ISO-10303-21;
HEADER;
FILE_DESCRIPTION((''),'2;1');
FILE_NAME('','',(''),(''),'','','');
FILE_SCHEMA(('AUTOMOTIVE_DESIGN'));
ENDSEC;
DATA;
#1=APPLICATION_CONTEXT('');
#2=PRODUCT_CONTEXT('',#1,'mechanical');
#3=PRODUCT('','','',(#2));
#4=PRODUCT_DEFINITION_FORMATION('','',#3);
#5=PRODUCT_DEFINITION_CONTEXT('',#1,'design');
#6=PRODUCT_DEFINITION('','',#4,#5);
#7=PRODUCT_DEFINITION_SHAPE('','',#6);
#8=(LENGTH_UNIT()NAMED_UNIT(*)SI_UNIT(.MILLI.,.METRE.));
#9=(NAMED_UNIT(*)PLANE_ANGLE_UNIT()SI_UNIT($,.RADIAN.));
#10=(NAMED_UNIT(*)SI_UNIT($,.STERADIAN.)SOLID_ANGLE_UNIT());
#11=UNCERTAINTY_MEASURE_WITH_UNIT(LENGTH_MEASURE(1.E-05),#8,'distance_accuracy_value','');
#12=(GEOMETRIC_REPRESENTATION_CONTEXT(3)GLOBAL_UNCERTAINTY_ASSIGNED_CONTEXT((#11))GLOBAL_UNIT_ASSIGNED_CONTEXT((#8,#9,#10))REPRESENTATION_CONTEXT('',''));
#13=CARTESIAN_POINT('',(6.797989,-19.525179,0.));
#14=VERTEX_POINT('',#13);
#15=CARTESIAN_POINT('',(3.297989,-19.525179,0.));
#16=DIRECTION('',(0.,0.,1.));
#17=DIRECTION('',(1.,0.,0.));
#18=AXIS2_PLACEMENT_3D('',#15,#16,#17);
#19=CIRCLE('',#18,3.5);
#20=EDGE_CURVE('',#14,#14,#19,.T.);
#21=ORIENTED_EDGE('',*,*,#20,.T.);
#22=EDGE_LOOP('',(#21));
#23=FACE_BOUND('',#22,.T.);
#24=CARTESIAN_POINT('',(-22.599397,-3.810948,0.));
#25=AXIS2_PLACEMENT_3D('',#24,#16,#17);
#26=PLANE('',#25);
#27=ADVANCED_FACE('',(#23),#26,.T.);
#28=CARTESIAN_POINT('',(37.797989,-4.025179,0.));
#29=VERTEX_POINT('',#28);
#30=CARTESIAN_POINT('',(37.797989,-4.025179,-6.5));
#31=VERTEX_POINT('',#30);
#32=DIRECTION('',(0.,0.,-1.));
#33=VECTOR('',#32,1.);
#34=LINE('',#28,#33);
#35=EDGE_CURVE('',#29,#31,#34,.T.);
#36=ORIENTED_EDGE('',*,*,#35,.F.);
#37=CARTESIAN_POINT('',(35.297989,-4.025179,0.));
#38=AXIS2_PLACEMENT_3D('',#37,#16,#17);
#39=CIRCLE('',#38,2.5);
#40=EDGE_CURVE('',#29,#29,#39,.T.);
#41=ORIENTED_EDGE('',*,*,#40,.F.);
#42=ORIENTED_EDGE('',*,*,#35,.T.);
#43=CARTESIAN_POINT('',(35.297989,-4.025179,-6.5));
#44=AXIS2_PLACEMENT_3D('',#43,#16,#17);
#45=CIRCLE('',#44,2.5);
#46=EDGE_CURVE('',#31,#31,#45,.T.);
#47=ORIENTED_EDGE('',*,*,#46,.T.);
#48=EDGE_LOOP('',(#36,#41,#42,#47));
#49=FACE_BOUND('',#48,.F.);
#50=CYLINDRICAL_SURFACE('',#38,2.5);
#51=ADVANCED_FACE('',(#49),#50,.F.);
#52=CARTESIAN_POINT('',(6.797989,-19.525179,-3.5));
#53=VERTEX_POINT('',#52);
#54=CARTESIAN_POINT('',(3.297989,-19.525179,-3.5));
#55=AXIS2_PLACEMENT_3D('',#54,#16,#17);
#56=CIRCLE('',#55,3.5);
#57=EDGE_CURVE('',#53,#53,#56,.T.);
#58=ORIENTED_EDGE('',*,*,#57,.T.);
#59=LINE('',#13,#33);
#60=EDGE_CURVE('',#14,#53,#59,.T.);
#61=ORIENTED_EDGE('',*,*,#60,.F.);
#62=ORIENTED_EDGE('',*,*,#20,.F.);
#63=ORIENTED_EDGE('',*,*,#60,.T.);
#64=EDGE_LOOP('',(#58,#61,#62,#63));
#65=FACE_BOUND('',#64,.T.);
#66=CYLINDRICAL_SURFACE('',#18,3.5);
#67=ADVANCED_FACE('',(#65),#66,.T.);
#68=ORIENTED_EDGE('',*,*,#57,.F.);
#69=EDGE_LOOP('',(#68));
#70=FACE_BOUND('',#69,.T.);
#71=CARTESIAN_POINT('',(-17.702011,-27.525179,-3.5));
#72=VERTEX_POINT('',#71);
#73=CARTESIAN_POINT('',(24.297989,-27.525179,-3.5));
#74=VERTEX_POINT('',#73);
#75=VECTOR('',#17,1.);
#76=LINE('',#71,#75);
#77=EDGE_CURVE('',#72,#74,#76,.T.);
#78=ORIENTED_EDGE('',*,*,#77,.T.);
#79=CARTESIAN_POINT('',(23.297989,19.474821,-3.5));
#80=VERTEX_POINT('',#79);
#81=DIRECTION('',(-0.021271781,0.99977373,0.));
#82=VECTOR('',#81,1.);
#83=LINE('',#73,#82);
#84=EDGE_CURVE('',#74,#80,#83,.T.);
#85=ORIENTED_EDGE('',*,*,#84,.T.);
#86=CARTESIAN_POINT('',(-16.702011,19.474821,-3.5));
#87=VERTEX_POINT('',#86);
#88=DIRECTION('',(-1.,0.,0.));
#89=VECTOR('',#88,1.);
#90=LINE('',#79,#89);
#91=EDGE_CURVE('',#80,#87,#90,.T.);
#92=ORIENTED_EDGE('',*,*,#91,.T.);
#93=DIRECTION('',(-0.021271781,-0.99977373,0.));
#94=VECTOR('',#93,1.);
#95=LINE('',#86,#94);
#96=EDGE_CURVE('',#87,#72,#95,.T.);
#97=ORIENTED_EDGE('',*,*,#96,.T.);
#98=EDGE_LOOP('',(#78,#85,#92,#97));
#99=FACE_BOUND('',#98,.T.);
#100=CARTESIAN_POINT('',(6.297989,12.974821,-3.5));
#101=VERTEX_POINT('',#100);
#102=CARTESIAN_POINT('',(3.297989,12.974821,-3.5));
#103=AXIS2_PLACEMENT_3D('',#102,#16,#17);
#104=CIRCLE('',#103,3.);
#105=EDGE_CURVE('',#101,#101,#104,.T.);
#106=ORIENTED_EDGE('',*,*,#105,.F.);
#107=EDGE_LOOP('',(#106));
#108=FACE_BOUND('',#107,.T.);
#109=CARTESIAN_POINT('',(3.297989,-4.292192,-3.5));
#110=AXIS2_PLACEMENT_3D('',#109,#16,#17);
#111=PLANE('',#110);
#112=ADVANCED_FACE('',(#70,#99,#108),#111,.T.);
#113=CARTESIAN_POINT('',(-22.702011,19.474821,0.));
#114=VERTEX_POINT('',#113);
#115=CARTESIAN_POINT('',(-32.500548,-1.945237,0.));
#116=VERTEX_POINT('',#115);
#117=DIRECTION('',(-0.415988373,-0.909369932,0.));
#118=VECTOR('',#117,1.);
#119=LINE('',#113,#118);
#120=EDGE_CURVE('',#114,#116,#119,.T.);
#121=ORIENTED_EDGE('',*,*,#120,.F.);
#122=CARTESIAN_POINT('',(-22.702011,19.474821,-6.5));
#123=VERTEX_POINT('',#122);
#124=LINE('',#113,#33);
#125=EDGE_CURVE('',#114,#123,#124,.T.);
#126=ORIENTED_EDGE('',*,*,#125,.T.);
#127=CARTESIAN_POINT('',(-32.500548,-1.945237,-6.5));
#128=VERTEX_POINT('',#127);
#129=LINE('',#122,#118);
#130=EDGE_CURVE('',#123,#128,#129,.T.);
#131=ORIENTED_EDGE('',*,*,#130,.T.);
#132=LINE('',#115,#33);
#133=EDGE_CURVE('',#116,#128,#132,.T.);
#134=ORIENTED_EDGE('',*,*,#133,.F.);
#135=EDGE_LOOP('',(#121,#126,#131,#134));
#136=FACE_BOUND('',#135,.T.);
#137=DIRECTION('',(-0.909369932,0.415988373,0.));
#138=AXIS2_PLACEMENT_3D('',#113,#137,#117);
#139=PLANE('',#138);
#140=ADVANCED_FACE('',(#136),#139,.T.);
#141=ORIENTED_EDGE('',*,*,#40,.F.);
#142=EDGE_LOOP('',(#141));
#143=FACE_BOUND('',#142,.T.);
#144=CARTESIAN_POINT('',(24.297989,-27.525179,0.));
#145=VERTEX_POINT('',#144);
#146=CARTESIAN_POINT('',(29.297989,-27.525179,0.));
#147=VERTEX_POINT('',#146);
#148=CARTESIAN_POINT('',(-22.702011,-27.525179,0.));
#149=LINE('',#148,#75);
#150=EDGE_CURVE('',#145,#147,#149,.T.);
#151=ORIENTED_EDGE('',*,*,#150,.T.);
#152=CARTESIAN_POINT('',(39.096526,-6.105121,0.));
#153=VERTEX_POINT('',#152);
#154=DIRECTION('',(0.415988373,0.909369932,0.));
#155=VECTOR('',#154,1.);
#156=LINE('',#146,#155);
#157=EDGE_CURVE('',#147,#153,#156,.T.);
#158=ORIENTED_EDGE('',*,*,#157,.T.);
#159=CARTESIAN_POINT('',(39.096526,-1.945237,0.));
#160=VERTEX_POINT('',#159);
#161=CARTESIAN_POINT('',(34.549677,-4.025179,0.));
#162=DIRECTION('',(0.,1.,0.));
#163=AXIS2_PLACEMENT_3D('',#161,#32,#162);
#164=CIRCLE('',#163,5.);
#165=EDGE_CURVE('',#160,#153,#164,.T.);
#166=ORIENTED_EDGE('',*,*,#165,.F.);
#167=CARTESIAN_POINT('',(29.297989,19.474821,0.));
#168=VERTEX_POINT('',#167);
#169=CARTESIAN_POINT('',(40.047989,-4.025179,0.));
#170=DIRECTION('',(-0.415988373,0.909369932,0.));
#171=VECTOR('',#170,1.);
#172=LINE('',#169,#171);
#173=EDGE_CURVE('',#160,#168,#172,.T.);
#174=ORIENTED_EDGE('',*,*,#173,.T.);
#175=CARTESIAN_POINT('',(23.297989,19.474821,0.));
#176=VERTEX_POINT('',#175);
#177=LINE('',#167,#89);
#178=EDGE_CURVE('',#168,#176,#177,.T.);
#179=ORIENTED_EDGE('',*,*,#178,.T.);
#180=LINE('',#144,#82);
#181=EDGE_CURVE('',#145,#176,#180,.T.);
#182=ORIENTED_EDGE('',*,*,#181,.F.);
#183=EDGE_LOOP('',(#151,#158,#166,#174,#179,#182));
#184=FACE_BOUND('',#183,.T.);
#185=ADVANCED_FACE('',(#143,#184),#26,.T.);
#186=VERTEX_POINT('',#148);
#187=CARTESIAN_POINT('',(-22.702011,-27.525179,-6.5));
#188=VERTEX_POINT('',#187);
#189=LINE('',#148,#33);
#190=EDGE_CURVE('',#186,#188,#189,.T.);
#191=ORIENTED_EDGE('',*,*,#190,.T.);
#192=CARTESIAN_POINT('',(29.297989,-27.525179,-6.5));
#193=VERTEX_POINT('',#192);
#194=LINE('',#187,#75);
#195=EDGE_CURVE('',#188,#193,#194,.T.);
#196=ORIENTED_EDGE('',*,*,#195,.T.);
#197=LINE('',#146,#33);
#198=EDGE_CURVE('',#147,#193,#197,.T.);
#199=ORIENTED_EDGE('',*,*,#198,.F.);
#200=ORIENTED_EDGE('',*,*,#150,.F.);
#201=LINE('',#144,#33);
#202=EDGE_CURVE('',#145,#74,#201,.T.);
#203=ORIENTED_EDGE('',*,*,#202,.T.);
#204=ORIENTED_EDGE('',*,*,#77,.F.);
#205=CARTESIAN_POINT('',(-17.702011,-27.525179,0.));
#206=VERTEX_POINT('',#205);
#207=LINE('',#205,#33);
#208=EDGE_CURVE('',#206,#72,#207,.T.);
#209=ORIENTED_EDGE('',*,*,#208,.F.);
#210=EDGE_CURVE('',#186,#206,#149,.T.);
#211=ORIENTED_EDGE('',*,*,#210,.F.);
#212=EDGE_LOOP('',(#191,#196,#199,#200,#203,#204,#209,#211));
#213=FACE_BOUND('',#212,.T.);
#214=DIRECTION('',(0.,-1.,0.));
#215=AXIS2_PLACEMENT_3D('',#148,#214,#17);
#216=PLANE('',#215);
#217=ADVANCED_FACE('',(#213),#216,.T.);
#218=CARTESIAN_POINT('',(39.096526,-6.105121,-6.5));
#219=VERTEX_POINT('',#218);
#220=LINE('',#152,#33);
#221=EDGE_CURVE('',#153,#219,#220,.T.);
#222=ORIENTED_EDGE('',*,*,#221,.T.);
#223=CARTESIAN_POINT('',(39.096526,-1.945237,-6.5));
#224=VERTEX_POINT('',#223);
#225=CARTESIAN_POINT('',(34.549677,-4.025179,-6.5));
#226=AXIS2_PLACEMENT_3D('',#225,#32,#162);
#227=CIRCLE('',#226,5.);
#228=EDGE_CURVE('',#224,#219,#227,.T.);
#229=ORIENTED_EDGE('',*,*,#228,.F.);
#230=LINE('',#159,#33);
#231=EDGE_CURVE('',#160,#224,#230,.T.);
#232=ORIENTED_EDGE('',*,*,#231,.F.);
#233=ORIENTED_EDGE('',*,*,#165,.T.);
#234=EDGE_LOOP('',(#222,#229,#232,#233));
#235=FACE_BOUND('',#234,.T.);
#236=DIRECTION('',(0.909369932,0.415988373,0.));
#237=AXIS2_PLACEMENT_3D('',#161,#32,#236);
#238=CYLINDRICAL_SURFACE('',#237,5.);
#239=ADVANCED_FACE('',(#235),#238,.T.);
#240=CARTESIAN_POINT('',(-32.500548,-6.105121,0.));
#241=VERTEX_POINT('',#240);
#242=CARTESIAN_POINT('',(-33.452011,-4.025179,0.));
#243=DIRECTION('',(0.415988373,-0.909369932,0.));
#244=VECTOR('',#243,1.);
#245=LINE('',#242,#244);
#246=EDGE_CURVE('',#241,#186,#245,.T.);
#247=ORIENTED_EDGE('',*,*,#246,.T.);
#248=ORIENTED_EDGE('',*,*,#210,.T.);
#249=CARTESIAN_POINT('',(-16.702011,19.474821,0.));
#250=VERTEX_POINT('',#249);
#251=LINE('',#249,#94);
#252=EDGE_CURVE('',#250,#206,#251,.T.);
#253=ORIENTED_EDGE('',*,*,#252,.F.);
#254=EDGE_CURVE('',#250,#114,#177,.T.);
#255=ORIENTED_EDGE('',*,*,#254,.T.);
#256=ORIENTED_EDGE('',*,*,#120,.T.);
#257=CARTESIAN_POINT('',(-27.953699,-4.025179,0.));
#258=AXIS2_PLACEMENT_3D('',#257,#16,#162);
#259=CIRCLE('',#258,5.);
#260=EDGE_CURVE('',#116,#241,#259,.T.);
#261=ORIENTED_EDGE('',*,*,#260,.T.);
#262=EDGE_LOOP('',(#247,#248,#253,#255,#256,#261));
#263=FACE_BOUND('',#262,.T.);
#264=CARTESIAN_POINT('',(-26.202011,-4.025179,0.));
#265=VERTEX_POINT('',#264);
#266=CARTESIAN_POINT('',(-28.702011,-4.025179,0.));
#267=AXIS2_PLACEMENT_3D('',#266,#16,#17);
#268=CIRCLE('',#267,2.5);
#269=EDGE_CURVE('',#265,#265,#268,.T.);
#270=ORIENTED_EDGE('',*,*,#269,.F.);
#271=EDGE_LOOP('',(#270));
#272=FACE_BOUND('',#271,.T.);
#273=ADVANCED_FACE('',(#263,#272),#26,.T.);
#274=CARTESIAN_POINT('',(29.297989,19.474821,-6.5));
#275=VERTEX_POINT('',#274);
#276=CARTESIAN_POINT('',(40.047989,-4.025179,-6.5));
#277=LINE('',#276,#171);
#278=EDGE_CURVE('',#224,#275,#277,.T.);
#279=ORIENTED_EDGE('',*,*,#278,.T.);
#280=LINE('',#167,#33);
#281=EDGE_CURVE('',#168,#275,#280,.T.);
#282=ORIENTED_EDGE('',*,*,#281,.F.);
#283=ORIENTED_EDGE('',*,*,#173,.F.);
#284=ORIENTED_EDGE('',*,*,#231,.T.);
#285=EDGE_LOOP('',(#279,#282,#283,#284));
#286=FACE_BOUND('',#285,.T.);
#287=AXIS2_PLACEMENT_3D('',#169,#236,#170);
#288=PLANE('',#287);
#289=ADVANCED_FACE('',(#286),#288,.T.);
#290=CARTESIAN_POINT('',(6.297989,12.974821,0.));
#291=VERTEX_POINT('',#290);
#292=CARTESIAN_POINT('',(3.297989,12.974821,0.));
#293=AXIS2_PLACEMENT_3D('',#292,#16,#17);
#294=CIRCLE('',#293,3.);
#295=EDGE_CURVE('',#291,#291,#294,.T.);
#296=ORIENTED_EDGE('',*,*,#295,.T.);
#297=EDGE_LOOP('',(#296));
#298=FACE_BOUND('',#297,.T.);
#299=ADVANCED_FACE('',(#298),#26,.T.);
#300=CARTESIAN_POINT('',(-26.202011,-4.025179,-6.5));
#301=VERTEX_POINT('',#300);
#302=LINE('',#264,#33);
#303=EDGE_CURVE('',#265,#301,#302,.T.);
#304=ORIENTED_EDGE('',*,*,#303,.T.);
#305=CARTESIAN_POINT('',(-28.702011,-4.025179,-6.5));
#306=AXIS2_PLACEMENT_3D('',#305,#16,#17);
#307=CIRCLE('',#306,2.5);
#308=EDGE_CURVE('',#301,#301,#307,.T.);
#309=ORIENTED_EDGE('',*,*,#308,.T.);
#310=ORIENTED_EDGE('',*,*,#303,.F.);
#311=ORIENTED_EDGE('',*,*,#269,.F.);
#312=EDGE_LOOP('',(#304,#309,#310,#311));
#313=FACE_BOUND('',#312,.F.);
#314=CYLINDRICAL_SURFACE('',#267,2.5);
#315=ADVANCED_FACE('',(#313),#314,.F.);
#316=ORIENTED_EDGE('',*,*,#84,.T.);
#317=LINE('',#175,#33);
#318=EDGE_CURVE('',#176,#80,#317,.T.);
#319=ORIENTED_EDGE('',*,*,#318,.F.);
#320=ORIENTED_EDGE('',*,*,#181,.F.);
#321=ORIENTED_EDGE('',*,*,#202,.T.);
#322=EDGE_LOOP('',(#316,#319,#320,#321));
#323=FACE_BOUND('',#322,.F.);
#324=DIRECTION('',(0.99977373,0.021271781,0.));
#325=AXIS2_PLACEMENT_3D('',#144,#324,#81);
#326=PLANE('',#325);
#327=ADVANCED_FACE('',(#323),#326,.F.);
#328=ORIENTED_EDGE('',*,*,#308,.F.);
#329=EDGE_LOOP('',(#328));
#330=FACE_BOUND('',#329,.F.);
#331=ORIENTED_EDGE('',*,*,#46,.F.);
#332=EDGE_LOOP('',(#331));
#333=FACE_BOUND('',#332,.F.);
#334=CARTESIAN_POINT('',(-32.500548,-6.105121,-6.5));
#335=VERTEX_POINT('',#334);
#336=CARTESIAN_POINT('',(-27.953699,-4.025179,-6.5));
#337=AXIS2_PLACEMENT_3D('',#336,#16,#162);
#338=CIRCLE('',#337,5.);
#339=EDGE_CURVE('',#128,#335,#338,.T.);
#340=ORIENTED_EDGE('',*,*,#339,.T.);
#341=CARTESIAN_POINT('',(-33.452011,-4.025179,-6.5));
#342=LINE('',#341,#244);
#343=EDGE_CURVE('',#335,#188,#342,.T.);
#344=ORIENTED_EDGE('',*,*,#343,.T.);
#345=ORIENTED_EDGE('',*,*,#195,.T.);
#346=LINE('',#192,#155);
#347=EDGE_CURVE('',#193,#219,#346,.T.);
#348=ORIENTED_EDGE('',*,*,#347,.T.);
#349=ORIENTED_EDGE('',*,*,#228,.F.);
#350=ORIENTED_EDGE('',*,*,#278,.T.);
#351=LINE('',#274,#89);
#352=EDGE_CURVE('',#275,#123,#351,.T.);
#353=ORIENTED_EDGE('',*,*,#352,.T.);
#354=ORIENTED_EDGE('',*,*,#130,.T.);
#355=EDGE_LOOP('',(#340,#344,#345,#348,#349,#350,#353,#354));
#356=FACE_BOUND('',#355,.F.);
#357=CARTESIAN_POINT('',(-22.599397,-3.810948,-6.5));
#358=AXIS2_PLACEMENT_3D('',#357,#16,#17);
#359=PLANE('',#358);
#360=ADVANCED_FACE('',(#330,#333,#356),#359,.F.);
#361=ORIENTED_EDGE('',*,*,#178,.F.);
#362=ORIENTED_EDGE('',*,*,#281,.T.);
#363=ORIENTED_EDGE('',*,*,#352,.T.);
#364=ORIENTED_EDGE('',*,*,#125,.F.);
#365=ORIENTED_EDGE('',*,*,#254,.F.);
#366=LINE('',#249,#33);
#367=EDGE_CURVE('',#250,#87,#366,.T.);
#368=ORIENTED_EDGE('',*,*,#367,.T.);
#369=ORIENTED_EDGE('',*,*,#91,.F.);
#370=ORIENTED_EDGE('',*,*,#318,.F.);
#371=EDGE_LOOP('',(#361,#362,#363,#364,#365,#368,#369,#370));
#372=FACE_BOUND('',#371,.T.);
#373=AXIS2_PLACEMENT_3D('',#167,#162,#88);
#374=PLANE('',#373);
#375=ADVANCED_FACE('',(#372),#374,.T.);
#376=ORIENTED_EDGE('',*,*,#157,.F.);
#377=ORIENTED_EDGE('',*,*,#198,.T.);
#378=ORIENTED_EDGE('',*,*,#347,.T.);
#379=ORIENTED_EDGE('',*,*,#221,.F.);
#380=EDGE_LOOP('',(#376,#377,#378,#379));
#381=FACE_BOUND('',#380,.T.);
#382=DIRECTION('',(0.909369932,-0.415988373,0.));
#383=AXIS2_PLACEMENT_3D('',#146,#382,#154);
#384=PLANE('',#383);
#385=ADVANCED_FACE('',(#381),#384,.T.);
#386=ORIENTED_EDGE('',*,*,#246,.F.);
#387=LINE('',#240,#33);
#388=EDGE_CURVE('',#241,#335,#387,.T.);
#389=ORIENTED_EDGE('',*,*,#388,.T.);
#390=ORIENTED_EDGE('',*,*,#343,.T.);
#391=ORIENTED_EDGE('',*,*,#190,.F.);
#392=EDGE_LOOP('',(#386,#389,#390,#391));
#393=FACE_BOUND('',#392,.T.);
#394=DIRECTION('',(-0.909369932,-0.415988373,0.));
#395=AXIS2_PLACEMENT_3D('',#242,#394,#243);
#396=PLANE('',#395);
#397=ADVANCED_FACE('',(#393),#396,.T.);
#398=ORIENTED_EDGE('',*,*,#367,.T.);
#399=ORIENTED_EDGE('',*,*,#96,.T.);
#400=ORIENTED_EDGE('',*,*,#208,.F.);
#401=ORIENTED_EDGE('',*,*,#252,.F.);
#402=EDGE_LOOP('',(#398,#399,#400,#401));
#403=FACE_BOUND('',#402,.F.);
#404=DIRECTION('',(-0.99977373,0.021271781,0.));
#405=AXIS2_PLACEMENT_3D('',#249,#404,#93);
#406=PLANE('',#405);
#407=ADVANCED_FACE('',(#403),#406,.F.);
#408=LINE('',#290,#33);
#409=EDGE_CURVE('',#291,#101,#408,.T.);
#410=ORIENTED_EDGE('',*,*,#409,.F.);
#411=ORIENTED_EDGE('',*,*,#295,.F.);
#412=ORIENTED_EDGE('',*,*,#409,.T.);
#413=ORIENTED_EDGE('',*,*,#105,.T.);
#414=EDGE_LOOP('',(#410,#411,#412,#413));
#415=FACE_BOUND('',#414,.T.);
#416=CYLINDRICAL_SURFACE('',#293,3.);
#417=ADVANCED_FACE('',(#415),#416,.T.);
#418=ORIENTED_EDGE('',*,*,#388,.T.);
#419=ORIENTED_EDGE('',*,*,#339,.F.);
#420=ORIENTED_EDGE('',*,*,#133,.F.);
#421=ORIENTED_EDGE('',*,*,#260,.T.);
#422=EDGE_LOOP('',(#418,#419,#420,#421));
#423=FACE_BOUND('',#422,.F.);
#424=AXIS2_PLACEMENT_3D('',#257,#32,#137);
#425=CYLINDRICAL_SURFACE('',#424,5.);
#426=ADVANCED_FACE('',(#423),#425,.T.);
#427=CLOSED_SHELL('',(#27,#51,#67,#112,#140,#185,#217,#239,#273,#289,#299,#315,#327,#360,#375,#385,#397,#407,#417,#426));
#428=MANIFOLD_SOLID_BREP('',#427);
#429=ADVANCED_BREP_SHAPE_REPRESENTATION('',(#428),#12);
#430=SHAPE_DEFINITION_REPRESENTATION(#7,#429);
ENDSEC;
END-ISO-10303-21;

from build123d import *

# Parameters (mm, degrees)
F0_R     = 2.5
F0_R_2   = 3.5
F0_R_3   = 3
F1_DEPTH = 6.5
F2_DEPTH = 3.5
F3_R     = 5


with BuildPart() as f1:
    # F0 (on Top) → F1 (new body)
    with BuildSketch(Plane.XY):
        Polygon((-16.702011, 19.474821), (-22.702011, 19.474821), (-33.452011, -4.025179), (-22.702011, -27.525179), (-17.702011, -27.525179), align=None)
        with Locations((-28.702011, -4.025179)):
            Circle(F0_R, mode=Mode.SUBTRACT)
        Polygon((23.297989, 19.474821), (-16.702011, 19.474821), (-17.702011, -27.525179), (24.297989, -27.525179), align=None)
        with Locations((3.297989, -19.525179)):
            Circle(F0_R_2, mode=Mode.SUBTRACT)
        with Locations((3.297989, 12.974821)):
            Circle(F0_R_3, mode=Mode.SUBTRACT)
        Polygon((29.297989, 19.474821), (23.297989, 19.474821), (24.297989, -27.525179), (29.297989, -27.525179), (40.047989, -4.025179), align=None)
        with Locations((35.297989, -4.025179)):
            Circle(F0_R, mode=Mode.SUBTRACT)
        with Locations((3.297989, 12.974821)):
            Circle(F0_R_3)
        with Locations((3.297989, -19.525179)):
            Circle(F0_R_2)
    extrude(amount=-F1_DEPTH)

    # F0 (on Top) → F2 (cut)
    with BuildSketch(Plane.XY):
        Polygon((23.297989, 19.474821), (-16.702011, 19.474821), (-17.702011, -27.525179), (24.297989, -27.525179), align=None)
        with Locations((3.297989, -19.525179)):
            Circle(F0_R_2, mode=Mode.SUBTRACT)
        with Locations((3.297989, 12.974821)):
            Circle(F0_R_3, mode=Mode.SUBTRACT)
    extrude(amount=-F2_DEPTH, mode=Mode.SUBTRACT)

    # F3
    f3_edges = [f1.edges().sort_by_distance(p)[0] for p in [
        (-33.452011, -4.025179, -3.25),
        (40.047989, -4.025179, -3.25),
    ]]
    fillet(f3_edges, radius=F3_R)


solid = f1.part
